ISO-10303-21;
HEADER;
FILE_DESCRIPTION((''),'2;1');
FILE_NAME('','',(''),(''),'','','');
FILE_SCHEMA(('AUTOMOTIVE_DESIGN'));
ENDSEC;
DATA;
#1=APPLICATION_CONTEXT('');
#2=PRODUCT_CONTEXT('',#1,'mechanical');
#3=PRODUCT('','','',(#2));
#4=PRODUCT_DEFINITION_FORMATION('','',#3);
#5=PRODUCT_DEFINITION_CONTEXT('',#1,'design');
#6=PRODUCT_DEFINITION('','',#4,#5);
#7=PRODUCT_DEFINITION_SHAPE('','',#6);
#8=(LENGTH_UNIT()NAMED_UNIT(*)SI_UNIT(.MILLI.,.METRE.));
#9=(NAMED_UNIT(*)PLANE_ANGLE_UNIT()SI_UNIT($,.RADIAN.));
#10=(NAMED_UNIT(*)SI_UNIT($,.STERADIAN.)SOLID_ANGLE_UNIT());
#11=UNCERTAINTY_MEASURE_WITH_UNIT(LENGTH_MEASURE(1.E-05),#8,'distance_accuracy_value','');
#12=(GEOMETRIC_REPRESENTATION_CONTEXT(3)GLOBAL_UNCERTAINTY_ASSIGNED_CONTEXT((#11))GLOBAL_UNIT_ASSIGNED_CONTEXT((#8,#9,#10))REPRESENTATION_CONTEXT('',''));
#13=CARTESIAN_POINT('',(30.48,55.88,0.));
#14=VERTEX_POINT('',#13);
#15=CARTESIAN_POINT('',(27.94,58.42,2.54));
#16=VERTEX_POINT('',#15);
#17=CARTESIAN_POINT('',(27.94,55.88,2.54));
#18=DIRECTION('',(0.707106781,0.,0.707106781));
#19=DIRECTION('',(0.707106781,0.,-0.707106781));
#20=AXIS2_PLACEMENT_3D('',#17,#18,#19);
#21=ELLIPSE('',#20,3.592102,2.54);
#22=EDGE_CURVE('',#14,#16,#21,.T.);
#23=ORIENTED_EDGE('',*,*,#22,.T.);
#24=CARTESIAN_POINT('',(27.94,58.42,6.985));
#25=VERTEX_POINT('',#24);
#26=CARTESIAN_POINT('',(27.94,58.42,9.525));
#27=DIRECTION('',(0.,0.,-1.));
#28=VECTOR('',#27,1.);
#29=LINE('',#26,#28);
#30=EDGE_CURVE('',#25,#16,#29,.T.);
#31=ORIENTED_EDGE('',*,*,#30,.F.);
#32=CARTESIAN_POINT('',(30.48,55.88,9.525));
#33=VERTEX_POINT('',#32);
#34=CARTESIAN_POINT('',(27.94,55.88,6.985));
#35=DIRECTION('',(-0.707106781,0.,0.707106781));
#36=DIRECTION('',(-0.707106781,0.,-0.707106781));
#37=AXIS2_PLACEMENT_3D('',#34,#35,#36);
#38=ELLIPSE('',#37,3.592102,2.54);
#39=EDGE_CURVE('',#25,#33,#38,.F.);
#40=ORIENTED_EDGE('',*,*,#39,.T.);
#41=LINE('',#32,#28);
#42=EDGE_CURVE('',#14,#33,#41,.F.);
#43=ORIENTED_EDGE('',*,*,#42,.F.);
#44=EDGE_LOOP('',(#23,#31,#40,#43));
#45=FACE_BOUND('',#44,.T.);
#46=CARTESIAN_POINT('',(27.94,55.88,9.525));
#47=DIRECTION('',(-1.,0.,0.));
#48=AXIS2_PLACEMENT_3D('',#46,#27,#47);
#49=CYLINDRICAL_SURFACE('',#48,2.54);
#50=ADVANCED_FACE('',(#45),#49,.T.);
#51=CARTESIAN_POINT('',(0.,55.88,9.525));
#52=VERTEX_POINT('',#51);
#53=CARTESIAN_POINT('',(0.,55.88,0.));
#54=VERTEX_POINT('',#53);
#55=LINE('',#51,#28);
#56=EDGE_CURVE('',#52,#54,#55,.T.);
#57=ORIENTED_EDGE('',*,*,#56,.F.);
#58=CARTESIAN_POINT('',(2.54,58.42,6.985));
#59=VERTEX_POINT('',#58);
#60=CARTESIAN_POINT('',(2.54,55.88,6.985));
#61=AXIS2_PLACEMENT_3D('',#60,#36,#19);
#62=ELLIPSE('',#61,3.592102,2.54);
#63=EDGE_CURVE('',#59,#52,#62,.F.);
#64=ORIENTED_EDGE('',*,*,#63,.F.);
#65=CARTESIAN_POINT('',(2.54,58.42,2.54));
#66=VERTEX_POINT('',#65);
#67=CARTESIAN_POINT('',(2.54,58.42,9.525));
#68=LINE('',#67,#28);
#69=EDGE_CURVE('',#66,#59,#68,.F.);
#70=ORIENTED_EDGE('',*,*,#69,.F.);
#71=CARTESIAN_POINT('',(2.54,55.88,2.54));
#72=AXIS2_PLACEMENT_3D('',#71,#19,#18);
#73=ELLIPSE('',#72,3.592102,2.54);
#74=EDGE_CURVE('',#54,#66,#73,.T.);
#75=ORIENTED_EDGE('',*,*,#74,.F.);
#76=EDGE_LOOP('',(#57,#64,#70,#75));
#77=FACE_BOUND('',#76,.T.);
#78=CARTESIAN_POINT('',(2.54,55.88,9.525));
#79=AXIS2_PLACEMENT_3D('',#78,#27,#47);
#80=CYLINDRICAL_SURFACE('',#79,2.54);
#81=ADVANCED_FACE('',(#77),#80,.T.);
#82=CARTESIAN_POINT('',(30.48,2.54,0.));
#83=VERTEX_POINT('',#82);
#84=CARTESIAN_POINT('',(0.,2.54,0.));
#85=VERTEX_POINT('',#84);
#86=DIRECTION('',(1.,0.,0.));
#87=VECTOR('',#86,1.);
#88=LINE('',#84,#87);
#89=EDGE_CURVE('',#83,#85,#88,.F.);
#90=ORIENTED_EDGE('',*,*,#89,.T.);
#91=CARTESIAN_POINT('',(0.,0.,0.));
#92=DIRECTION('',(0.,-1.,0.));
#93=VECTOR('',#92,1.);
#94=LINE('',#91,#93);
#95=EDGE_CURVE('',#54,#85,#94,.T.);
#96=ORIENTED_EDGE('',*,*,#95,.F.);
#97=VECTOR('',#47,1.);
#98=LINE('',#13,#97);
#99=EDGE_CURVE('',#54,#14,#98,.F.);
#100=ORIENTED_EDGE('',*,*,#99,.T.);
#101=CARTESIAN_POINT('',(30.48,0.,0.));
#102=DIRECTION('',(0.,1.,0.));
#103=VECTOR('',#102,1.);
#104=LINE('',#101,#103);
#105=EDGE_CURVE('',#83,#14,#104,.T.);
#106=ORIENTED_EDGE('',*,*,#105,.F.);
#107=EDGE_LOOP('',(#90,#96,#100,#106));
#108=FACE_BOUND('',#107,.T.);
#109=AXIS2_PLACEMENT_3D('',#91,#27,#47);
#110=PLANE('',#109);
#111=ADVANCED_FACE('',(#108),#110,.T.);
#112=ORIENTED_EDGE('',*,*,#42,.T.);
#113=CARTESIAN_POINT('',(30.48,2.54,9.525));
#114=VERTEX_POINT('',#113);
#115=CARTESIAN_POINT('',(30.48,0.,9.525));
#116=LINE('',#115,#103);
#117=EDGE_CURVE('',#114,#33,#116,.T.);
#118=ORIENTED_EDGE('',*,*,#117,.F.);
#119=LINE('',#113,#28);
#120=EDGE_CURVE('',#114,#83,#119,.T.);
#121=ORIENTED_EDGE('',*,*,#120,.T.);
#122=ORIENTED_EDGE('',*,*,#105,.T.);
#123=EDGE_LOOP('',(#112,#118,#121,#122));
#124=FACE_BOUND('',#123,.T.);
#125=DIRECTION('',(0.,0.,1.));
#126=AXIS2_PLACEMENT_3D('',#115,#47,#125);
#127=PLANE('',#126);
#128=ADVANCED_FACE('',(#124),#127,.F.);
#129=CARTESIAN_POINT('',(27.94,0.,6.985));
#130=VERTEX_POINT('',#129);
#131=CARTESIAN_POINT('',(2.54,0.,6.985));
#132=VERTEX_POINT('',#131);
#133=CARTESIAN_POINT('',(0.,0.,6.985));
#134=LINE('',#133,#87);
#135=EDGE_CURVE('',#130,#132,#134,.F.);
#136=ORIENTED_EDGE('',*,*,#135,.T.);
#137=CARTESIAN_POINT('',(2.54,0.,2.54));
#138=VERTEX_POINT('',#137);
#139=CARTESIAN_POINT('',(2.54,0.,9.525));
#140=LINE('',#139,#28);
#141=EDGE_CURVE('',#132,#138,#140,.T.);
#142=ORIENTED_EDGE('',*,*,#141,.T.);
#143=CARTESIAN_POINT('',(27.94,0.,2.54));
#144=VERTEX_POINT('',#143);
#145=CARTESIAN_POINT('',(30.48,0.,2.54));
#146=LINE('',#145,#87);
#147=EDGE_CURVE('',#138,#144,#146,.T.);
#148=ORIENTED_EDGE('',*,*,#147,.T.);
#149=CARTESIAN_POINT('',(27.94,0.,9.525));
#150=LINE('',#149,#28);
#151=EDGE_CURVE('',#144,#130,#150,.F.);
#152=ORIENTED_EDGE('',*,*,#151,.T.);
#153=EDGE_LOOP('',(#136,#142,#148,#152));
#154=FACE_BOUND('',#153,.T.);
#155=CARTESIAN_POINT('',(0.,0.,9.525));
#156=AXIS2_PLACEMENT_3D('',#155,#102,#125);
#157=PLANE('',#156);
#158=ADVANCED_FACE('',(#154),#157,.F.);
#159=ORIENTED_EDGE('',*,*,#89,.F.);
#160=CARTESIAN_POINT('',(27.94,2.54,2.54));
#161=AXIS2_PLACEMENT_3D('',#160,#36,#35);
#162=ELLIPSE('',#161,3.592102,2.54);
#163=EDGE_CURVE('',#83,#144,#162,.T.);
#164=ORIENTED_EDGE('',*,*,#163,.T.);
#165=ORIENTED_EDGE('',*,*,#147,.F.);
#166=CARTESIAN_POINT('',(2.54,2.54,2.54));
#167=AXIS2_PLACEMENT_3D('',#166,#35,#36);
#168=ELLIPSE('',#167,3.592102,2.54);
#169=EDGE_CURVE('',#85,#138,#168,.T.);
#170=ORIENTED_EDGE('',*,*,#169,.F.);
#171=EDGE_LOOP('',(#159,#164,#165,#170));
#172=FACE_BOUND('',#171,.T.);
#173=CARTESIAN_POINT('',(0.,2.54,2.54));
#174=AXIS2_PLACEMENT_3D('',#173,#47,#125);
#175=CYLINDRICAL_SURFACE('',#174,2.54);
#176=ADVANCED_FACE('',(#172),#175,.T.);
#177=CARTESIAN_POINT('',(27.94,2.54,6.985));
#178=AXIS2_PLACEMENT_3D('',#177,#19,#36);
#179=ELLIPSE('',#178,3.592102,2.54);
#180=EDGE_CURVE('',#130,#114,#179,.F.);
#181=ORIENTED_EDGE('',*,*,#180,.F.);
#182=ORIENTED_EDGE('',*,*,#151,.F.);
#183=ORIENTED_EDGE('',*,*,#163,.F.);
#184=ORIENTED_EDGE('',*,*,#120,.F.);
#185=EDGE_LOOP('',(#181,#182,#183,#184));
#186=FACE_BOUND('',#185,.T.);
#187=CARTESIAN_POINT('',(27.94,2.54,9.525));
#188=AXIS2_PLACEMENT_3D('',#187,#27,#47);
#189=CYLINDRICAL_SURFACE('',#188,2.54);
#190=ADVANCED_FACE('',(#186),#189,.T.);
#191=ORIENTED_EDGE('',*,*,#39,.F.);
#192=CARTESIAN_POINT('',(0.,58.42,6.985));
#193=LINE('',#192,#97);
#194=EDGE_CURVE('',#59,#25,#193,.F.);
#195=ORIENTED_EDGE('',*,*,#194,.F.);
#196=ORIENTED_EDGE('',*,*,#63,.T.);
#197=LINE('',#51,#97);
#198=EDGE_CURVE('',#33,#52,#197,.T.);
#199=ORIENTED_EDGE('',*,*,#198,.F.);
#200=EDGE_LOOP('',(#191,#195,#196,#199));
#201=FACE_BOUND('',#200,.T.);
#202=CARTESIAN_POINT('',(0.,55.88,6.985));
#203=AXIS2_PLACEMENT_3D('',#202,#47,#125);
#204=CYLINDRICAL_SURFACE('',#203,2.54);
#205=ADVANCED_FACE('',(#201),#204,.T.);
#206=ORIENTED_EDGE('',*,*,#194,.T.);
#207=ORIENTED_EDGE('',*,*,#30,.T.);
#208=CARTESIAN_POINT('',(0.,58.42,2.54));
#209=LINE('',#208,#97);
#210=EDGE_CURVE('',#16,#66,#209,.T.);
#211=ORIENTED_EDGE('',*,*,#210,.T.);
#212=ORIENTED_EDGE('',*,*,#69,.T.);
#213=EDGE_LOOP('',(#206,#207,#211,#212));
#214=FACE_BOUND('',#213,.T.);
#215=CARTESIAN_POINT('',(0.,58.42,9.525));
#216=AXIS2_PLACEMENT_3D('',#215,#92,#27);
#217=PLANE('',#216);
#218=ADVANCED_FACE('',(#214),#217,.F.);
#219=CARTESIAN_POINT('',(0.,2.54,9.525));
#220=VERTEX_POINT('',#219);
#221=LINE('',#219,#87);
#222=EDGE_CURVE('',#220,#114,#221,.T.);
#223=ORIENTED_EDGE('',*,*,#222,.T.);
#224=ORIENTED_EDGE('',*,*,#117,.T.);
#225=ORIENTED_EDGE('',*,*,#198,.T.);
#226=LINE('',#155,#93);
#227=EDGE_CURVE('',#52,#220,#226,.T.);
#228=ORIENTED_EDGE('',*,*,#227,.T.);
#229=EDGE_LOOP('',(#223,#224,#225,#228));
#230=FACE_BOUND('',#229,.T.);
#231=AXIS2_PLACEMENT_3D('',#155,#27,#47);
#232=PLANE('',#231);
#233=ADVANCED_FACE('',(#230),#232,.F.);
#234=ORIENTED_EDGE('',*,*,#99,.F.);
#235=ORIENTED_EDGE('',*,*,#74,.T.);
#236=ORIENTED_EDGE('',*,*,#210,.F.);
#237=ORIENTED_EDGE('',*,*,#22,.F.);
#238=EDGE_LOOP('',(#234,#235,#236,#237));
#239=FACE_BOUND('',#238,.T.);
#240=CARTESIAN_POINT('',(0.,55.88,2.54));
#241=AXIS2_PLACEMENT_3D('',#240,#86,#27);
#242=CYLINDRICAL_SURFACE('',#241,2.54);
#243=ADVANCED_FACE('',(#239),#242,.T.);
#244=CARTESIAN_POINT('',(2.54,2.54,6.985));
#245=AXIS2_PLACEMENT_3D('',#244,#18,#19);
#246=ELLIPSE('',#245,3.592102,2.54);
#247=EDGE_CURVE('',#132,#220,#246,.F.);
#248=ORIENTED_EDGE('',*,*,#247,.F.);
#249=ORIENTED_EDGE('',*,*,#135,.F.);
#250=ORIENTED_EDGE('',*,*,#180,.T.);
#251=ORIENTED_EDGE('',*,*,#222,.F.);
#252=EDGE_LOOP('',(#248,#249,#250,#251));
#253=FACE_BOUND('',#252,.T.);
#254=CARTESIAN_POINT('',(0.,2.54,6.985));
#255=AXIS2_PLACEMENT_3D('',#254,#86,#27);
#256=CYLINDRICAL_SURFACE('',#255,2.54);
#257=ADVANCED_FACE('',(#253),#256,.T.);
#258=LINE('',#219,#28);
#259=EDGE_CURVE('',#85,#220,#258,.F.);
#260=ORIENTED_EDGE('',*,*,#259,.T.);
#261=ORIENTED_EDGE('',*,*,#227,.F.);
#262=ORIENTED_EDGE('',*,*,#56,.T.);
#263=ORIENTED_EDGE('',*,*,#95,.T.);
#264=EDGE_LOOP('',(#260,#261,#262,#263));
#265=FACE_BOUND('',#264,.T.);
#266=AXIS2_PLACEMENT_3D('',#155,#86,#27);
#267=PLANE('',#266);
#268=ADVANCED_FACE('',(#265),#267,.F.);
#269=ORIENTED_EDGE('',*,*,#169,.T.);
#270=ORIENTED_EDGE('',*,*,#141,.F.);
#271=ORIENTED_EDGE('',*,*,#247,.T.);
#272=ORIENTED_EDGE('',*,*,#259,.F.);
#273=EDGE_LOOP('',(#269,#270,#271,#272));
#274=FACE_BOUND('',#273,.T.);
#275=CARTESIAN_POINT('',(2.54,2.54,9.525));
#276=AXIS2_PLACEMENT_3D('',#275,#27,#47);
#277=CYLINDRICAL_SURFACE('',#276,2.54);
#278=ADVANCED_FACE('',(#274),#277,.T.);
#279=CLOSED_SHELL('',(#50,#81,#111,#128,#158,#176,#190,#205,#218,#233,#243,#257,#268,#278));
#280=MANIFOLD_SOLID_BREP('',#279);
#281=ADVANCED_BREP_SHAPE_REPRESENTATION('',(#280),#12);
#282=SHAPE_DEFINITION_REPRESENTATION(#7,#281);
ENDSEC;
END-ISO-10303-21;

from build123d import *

# Parameters (mm, degrees)
SKETCH1_W           = 30.48
SKETCH1_H           = 58.42
BOSS_EXTRUDE1_DEPTH = 9.525
FILLET1_R           = 2.54


with BuildPart() as part:
    # Sketch1 → Boss-Extrude1 (new body)
    with BuildSketch(Plane.XY):
        with Locations((15.24, 29.21)):
            Rectangle(SKETCH1_W, SKETCH1_H)
    extrude(amount=BOSS_EXTRUDE1_DEPTH)

    # Fillet1
    fillet1_edges = [part.edges().sort_by_distance(p)[0] for p in [
        (15.24, 58.42, 9.525),
        (15.24, 58.42, 0),
        (15.24, 0, 0),
        (0, 58.42, 4.7625),
        (30.48, 58.42, 4.7625),
        (30.48, 0, 4.7625),
        (0, 0, 4.7625),
        (15.24, 0, 9.525),
    ]]
    fillet(fillet1_edges, radius=FILLET1_R)


solid = part.part
